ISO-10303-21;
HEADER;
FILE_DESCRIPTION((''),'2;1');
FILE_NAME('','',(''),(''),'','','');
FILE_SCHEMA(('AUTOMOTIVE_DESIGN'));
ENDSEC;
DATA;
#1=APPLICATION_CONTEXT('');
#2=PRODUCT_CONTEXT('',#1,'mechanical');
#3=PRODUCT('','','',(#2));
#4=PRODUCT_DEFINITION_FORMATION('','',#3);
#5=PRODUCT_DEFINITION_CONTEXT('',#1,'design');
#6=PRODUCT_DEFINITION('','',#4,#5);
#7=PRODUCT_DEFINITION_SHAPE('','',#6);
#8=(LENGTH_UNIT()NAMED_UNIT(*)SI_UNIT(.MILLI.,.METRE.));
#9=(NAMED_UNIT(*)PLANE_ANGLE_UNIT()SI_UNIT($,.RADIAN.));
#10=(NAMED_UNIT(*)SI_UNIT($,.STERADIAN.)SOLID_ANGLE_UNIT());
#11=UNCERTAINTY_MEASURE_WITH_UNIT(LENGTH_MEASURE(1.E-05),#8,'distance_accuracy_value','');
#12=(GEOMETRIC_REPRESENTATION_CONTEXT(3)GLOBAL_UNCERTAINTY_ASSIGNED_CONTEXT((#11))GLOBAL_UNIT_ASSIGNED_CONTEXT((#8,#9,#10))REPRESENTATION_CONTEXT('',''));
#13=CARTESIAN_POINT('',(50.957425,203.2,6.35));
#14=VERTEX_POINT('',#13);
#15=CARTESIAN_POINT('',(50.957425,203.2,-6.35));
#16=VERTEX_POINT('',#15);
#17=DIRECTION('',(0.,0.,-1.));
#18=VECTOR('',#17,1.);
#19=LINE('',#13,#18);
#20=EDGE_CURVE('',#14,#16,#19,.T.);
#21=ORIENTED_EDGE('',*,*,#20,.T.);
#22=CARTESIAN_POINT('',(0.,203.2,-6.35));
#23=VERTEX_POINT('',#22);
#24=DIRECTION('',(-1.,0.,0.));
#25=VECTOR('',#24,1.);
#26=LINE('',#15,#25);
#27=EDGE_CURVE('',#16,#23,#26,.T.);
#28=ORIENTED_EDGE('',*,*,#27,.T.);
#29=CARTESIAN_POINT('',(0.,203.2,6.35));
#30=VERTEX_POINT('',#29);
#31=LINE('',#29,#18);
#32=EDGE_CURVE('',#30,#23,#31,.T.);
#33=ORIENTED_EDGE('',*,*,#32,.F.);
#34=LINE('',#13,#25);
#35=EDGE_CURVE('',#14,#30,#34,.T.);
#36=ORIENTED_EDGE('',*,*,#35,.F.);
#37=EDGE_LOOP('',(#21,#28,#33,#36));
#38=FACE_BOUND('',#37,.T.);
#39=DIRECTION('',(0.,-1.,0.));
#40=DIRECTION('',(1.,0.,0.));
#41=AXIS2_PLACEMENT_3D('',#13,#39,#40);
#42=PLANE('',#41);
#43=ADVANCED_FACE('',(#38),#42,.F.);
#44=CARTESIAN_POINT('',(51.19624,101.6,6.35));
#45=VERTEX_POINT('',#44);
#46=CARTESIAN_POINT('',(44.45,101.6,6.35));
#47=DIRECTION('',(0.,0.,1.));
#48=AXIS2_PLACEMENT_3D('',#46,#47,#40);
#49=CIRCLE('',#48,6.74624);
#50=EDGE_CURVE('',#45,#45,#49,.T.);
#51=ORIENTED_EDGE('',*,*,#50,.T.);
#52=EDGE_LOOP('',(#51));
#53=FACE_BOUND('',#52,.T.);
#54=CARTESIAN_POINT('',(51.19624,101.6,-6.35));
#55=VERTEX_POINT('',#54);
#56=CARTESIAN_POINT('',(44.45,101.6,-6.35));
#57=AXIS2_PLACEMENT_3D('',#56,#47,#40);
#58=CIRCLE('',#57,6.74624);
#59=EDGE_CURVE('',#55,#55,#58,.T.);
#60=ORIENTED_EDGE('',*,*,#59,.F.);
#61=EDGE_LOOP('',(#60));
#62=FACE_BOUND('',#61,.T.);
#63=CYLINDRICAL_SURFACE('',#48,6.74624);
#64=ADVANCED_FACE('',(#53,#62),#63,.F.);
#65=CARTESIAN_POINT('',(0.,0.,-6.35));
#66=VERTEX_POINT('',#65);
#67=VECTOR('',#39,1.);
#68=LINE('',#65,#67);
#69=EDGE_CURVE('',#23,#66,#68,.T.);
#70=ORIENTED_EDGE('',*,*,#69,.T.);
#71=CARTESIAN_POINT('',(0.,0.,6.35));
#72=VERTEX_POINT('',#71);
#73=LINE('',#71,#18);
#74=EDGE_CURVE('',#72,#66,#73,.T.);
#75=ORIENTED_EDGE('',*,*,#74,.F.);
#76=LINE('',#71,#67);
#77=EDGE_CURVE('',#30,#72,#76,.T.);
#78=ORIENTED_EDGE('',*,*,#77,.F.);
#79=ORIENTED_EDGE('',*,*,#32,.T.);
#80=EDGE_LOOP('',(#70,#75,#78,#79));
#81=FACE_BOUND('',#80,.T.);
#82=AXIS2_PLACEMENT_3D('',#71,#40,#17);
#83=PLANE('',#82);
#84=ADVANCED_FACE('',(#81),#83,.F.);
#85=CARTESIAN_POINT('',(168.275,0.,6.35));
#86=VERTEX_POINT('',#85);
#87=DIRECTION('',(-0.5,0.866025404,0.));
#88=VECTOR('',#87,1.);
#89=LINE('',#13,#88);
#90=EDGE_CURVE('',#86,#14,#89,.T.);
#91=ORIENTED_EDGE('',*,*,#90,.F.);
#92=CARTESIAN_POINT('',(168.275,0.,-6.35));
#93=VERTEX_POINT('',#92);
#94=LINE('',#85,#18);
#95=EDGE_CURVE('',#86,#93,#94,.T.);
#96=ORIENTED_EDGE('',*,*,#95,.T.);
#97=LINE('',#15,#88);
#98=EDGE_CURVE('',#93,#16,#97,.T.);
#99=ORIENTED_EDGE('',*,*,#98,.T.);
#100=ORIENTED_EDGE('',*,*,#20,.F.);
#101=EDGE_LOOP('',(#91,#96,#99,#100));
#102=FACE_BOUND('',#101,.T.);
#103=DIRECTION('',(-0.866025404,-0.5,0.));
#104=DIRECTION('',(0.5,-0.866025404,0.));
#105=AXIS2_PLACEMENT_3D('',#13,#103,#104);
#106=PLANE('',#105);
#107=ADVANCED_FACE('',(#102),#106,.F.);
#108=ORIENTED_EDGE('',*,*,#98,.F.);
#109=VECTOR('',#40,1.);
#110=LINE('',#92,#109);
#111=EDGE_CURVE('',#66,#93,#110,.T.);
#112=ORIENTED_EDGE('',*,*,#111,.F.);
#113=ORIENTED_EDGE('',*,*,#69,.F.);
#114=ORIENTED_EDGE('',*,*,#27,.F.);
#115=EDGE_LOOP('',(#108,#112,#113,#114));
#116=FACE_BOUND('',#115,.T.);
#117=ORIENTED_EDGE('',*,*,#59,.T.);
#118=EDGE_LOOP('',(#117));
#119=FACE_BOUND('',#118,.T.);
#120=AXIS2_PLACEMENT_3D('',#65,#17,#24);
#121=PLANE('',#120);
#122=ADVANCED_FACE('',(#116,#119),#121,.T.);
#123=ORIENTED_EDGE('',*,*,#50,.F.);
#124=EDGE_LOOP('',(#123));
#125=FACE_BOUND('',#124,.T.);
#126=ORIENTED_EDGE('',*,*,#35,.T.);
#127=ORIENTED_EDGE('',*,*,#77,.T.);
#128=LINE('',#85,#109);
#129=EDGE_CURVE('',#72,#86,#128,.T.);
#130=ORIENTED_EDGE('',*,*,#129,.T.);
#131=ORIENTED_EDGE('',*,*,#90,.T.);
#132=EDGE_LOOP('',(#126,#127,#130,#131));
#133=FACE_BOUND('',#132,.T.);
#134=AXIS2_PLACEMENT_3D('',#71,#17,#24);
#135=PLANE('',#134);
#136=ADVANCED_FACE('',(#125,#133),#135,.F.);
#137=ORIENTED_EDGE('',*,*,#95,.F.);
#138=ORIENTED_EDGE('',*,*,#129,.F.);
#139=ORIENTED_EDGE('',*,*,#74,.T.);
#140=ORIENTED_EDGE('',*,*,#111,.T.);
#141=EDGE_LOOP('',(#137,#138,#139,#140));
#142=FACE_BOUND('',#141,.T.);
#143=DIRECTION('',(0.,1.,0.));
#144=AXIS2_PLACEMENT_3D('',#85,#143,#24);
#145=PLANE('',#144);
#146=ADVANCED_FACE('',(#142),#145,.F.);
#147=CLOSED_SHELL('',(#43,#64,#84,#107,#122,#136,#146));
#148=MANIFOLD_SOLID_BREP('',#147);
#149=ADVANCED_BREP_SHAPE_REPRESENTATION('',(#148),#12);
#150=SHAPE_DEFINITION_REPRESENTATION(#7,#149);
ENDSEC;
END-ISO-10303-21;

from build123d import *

# Parameters (mm, degrees)
BOSS_EXTRUDE1_DEPTH     = 6.35
F_1_2_CLEARANCE_HOLE1_D = 13.49248


with BuildPart() as part:
    # Sketch1 → Boss-Extrude1 (new, symmetric)
    with BuildSketch(Plane.XY):
        Polygon((0, 0), (0, 203.2), (50.957425301, 203.2), (168.275, 0), align=None)
    extrude(amount=BOSS_EXTRUDE1_DEPTH, both=True)

    # 1/2 Clearance Hole1 (through all)
    with Locations(Plane.XY.offset(6.35)):
        with Locations((44.45, 101.6)):
            Hole(F_1_2_CLEARANCE_HOLE1_D / 2)


solid = part.part
